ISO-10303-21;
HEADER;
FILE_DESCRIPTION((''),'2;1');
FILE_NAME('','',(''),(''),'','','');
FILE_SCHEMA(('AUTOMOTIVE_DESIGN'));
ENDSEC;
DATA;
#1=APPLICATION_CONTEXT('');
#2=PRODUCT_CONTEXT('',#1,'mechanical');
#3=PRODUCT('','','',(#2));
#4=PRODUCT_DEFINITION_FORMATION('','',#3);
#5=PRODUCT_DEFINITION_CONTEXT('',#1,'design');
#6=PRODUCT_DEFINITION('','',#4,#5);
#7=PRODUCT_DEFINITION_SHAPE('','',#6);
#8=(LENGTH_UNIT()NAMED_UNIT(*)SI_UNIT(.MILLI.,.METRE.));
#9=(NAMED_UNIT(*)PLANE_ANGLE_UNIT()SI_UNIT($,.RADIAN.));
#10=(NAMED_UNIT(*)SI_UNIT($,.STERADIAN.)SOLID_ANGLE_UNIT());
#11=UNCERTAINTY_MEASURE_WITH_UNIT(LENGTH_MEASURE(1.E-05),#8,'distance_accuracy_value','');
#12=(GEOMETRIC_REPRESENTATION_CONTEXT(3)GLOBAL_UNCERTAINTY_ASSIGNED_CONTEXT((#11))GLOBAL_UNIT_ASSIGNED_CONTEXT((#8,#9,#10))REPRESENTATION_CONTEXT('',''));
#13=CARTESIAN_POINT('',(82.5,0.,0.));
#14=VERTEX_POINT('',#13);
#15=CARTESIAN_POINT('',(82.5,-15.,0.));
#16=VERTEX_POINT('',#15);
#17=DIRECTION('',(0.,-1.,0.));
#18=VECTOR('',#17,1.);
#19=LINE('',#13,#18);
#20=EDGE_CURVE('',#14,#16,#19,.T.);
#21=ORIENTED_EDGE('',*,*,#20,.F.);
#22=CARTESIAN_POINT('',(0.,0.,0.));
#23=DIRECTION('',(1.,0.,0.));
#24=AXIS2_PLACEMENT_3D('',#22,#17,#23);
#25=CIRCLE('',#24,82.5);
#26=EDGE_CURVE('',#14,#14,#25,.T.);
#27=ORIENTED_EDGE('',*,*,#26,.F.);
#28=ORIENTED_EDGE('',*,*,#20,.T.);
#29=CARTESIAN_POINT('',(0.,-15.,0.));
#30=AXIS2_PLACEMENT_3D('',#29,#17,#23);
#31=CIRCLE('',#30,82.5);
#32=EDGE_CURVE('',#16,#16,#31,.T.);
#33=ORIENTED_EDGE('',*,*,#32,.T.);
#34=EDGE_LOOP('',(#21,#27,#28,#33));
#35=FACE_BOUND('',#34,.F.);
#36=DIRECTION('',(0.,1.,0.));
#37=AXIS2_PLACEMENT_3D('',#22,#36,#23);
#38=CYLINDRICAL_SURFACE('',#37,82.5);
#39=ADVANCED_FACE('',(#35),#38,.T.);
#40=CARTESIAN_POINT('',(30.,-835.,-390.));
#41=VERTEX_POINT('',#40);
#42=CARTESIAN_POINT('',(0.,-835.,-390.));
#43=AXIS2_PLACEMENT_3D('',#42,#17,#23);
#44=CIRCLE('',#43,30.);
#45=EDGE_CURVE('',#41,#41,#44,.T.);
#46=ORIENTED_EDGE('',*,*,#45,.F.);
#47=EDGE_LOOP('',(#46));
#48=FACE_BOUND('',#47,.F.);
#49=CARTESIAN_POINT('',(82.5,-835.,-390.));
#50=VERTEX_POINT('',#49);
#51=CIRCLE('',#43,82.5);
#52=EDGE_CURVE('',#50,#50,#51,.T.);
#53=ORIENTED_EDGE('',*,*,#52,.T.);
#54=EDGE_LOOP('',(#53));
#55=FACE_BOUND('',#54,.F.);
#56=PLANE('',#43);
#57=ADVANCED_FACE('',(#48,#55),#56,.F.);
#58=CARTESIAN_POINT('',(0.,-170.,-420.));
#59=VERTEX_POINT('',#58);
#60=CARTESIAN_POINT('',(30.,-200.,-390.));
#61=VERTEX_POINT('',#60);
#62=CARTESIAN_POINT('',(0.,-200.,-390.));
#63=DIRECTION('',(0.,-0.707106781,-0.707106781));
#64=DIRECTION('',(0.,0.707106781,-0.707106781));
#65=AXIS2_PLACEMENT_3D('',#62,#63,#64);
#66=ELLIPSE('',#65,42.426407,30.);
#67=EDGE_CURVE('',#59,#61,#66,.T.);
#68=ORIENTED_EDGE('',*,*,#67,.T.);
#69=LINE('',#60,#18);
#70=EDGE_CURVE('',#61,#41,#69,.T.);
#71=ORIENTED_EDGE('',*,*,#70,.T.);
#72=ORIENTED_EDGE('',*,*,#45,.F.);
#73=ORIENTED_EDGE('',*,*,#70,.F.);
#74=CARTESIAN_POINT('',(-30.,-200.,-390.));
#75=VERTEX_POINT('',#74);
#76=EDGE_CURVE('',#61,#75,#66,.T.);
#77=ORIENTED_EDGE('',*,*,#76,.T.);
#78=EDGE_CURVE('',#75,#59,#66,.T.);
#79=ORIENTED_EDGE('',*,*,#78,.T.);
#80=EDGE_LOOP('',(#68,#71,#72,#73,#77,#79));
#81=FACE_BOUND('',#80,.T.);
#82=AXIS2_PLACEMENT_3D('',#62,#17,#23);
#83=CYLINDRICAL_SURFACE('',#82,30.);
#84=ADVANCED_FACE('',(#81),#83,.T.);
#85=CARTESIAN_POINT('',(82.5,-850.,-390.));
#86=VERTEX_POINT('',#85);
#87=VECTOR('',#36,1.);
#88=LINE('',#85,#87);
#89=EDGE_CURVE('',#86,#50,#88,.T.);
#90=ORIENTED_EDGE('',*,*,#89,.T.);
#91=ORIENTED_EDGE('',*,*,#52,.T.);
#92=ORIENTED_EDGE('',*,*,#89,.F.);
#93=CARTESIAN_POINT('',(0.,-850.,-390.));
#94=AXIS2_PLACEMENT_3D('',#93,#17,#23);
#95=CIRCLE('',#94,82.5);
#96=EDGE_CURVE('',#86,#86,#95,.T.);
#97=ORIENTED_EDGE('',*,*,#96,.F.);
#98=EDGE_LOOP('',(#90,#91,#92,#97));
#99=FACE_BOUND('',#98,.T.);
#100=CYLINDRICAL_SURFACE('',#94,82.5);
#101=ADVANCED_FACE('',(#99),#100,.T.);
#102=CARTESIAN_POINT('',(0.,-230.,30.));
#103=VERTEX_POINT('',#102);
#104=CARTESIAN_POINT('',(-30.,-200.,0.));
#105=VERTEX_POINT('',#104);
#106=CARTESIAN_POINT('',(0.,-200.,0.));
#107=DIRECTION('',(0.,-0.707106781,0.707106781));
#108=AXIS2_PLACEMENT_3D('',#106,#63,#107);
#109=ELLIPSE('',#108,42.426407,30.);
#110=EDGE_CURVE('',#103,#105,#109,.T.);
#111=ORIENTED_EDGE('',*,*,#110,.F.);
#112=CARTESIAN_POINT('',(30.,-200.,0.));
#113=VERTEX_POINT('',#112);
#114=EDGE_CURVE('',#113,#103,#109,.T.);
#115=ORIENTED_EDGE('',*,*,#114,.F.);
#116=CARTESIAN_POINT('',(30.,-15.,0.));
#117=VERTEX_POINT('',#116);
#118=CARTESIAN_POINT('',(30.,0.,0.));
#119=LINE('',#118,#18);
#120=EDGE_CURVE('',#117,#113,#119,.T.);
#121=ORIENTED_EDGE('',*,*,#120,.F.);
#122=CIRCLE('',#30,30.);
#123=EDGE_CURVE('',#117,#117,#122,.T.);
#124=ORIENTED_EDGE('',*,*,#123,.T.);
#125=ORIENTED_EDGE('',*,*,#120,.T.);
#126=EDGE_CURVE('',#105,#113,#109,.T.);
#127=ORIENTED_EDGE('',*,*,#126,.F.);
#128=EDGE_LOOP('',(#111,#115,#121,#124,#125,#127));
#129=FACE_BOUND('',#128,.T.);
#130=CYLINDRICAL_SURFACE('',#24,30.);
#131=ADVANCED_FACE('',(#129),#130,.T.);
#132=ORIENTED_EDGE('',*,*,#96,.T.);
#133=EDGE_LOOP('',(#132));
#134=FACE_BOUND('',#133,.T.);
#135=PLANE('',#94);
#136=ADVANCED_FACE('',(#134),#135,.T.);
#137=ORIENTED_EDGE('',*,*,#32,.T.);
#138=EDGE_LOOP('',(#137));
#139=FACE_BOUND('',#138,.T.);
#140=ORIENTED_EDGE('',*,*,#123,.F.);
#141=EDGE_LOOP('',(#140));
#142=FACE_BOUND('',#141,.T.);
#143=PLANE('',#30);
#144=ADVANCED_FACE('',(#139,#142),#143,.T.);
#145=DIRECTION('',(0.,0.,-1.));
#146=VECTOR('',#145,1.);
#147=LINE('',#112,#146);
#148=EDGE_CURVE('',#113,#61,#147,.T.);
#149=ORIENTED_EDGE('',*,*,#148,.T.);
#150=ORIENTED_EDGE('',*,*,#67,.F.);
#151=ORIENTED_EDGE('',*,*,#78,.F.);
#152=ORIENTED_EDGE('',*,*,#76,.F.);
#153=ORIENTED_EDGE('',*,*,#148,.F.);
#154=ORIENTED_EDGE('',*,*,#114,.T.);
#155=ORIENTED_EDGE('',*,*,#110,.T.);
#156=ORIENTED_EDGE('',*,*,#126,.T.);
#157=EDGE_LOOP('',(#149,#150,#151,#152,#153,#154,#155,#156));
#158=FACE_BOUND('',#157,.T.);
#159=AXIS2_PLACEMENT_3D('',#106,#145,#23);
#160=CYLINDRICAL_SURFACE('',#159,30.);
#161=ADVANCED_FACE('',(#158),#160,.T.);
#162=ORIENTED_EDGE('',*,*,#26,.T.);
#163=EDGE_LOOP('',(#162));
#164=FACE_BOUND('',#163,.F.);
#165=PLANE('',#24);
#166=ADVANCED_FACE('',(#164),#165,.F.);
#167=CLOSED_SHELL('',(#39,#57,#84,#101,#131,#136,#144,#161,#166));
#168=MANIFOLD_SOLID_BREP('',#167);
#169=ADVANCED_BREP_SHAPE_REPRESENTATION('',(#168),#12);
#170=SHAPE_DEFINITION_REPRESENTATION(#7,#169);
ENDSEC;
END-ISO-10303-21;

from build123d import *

# Parameters (mm, degrees)
F0_R     = 30
F0_R_2   = 82.5
F3_DEPTH = 15
F4_R     = 82.5
F4_R_2   = 30
F5_DEPTH = 15


with BuildPart() as f2:
    # F2: sweep along a path in F1
    with BuildLine(Plane.YZ) as f2_path:
        Line((0, 0), (-200, 0))
        Line((-200, 0), (-200, -390))
        Line((-200, -390), (-850, -390))
    # F0 (on Front) → F2 (sweep)
    with BuildSketch(Plane.XZ):
        Circle(F0_R)
    sweep(path=f2_path.line, transition=Transition.RIGHT)

    # F0 (on Front) → F3 (join)
    with BuildSketch(Plane.XZ):
        Circle(F0_R_2)
        Circle(F0_R, mode=Mode.SUBTRACT)
    extrude(amount=F3_DEPTH)

    # F4 (on face) → F5 (join)
    with BuildSketch(Plane.XZ.offset(850)):
        with Locations((0, -390)):
            Circle(F4_R)
        with Locations((0, -390)):
            Circle(F4_R_2, mode=Mode.SUBTRACT)
    extrude(amount=-F5_DEPTH)


solid = f2.part
